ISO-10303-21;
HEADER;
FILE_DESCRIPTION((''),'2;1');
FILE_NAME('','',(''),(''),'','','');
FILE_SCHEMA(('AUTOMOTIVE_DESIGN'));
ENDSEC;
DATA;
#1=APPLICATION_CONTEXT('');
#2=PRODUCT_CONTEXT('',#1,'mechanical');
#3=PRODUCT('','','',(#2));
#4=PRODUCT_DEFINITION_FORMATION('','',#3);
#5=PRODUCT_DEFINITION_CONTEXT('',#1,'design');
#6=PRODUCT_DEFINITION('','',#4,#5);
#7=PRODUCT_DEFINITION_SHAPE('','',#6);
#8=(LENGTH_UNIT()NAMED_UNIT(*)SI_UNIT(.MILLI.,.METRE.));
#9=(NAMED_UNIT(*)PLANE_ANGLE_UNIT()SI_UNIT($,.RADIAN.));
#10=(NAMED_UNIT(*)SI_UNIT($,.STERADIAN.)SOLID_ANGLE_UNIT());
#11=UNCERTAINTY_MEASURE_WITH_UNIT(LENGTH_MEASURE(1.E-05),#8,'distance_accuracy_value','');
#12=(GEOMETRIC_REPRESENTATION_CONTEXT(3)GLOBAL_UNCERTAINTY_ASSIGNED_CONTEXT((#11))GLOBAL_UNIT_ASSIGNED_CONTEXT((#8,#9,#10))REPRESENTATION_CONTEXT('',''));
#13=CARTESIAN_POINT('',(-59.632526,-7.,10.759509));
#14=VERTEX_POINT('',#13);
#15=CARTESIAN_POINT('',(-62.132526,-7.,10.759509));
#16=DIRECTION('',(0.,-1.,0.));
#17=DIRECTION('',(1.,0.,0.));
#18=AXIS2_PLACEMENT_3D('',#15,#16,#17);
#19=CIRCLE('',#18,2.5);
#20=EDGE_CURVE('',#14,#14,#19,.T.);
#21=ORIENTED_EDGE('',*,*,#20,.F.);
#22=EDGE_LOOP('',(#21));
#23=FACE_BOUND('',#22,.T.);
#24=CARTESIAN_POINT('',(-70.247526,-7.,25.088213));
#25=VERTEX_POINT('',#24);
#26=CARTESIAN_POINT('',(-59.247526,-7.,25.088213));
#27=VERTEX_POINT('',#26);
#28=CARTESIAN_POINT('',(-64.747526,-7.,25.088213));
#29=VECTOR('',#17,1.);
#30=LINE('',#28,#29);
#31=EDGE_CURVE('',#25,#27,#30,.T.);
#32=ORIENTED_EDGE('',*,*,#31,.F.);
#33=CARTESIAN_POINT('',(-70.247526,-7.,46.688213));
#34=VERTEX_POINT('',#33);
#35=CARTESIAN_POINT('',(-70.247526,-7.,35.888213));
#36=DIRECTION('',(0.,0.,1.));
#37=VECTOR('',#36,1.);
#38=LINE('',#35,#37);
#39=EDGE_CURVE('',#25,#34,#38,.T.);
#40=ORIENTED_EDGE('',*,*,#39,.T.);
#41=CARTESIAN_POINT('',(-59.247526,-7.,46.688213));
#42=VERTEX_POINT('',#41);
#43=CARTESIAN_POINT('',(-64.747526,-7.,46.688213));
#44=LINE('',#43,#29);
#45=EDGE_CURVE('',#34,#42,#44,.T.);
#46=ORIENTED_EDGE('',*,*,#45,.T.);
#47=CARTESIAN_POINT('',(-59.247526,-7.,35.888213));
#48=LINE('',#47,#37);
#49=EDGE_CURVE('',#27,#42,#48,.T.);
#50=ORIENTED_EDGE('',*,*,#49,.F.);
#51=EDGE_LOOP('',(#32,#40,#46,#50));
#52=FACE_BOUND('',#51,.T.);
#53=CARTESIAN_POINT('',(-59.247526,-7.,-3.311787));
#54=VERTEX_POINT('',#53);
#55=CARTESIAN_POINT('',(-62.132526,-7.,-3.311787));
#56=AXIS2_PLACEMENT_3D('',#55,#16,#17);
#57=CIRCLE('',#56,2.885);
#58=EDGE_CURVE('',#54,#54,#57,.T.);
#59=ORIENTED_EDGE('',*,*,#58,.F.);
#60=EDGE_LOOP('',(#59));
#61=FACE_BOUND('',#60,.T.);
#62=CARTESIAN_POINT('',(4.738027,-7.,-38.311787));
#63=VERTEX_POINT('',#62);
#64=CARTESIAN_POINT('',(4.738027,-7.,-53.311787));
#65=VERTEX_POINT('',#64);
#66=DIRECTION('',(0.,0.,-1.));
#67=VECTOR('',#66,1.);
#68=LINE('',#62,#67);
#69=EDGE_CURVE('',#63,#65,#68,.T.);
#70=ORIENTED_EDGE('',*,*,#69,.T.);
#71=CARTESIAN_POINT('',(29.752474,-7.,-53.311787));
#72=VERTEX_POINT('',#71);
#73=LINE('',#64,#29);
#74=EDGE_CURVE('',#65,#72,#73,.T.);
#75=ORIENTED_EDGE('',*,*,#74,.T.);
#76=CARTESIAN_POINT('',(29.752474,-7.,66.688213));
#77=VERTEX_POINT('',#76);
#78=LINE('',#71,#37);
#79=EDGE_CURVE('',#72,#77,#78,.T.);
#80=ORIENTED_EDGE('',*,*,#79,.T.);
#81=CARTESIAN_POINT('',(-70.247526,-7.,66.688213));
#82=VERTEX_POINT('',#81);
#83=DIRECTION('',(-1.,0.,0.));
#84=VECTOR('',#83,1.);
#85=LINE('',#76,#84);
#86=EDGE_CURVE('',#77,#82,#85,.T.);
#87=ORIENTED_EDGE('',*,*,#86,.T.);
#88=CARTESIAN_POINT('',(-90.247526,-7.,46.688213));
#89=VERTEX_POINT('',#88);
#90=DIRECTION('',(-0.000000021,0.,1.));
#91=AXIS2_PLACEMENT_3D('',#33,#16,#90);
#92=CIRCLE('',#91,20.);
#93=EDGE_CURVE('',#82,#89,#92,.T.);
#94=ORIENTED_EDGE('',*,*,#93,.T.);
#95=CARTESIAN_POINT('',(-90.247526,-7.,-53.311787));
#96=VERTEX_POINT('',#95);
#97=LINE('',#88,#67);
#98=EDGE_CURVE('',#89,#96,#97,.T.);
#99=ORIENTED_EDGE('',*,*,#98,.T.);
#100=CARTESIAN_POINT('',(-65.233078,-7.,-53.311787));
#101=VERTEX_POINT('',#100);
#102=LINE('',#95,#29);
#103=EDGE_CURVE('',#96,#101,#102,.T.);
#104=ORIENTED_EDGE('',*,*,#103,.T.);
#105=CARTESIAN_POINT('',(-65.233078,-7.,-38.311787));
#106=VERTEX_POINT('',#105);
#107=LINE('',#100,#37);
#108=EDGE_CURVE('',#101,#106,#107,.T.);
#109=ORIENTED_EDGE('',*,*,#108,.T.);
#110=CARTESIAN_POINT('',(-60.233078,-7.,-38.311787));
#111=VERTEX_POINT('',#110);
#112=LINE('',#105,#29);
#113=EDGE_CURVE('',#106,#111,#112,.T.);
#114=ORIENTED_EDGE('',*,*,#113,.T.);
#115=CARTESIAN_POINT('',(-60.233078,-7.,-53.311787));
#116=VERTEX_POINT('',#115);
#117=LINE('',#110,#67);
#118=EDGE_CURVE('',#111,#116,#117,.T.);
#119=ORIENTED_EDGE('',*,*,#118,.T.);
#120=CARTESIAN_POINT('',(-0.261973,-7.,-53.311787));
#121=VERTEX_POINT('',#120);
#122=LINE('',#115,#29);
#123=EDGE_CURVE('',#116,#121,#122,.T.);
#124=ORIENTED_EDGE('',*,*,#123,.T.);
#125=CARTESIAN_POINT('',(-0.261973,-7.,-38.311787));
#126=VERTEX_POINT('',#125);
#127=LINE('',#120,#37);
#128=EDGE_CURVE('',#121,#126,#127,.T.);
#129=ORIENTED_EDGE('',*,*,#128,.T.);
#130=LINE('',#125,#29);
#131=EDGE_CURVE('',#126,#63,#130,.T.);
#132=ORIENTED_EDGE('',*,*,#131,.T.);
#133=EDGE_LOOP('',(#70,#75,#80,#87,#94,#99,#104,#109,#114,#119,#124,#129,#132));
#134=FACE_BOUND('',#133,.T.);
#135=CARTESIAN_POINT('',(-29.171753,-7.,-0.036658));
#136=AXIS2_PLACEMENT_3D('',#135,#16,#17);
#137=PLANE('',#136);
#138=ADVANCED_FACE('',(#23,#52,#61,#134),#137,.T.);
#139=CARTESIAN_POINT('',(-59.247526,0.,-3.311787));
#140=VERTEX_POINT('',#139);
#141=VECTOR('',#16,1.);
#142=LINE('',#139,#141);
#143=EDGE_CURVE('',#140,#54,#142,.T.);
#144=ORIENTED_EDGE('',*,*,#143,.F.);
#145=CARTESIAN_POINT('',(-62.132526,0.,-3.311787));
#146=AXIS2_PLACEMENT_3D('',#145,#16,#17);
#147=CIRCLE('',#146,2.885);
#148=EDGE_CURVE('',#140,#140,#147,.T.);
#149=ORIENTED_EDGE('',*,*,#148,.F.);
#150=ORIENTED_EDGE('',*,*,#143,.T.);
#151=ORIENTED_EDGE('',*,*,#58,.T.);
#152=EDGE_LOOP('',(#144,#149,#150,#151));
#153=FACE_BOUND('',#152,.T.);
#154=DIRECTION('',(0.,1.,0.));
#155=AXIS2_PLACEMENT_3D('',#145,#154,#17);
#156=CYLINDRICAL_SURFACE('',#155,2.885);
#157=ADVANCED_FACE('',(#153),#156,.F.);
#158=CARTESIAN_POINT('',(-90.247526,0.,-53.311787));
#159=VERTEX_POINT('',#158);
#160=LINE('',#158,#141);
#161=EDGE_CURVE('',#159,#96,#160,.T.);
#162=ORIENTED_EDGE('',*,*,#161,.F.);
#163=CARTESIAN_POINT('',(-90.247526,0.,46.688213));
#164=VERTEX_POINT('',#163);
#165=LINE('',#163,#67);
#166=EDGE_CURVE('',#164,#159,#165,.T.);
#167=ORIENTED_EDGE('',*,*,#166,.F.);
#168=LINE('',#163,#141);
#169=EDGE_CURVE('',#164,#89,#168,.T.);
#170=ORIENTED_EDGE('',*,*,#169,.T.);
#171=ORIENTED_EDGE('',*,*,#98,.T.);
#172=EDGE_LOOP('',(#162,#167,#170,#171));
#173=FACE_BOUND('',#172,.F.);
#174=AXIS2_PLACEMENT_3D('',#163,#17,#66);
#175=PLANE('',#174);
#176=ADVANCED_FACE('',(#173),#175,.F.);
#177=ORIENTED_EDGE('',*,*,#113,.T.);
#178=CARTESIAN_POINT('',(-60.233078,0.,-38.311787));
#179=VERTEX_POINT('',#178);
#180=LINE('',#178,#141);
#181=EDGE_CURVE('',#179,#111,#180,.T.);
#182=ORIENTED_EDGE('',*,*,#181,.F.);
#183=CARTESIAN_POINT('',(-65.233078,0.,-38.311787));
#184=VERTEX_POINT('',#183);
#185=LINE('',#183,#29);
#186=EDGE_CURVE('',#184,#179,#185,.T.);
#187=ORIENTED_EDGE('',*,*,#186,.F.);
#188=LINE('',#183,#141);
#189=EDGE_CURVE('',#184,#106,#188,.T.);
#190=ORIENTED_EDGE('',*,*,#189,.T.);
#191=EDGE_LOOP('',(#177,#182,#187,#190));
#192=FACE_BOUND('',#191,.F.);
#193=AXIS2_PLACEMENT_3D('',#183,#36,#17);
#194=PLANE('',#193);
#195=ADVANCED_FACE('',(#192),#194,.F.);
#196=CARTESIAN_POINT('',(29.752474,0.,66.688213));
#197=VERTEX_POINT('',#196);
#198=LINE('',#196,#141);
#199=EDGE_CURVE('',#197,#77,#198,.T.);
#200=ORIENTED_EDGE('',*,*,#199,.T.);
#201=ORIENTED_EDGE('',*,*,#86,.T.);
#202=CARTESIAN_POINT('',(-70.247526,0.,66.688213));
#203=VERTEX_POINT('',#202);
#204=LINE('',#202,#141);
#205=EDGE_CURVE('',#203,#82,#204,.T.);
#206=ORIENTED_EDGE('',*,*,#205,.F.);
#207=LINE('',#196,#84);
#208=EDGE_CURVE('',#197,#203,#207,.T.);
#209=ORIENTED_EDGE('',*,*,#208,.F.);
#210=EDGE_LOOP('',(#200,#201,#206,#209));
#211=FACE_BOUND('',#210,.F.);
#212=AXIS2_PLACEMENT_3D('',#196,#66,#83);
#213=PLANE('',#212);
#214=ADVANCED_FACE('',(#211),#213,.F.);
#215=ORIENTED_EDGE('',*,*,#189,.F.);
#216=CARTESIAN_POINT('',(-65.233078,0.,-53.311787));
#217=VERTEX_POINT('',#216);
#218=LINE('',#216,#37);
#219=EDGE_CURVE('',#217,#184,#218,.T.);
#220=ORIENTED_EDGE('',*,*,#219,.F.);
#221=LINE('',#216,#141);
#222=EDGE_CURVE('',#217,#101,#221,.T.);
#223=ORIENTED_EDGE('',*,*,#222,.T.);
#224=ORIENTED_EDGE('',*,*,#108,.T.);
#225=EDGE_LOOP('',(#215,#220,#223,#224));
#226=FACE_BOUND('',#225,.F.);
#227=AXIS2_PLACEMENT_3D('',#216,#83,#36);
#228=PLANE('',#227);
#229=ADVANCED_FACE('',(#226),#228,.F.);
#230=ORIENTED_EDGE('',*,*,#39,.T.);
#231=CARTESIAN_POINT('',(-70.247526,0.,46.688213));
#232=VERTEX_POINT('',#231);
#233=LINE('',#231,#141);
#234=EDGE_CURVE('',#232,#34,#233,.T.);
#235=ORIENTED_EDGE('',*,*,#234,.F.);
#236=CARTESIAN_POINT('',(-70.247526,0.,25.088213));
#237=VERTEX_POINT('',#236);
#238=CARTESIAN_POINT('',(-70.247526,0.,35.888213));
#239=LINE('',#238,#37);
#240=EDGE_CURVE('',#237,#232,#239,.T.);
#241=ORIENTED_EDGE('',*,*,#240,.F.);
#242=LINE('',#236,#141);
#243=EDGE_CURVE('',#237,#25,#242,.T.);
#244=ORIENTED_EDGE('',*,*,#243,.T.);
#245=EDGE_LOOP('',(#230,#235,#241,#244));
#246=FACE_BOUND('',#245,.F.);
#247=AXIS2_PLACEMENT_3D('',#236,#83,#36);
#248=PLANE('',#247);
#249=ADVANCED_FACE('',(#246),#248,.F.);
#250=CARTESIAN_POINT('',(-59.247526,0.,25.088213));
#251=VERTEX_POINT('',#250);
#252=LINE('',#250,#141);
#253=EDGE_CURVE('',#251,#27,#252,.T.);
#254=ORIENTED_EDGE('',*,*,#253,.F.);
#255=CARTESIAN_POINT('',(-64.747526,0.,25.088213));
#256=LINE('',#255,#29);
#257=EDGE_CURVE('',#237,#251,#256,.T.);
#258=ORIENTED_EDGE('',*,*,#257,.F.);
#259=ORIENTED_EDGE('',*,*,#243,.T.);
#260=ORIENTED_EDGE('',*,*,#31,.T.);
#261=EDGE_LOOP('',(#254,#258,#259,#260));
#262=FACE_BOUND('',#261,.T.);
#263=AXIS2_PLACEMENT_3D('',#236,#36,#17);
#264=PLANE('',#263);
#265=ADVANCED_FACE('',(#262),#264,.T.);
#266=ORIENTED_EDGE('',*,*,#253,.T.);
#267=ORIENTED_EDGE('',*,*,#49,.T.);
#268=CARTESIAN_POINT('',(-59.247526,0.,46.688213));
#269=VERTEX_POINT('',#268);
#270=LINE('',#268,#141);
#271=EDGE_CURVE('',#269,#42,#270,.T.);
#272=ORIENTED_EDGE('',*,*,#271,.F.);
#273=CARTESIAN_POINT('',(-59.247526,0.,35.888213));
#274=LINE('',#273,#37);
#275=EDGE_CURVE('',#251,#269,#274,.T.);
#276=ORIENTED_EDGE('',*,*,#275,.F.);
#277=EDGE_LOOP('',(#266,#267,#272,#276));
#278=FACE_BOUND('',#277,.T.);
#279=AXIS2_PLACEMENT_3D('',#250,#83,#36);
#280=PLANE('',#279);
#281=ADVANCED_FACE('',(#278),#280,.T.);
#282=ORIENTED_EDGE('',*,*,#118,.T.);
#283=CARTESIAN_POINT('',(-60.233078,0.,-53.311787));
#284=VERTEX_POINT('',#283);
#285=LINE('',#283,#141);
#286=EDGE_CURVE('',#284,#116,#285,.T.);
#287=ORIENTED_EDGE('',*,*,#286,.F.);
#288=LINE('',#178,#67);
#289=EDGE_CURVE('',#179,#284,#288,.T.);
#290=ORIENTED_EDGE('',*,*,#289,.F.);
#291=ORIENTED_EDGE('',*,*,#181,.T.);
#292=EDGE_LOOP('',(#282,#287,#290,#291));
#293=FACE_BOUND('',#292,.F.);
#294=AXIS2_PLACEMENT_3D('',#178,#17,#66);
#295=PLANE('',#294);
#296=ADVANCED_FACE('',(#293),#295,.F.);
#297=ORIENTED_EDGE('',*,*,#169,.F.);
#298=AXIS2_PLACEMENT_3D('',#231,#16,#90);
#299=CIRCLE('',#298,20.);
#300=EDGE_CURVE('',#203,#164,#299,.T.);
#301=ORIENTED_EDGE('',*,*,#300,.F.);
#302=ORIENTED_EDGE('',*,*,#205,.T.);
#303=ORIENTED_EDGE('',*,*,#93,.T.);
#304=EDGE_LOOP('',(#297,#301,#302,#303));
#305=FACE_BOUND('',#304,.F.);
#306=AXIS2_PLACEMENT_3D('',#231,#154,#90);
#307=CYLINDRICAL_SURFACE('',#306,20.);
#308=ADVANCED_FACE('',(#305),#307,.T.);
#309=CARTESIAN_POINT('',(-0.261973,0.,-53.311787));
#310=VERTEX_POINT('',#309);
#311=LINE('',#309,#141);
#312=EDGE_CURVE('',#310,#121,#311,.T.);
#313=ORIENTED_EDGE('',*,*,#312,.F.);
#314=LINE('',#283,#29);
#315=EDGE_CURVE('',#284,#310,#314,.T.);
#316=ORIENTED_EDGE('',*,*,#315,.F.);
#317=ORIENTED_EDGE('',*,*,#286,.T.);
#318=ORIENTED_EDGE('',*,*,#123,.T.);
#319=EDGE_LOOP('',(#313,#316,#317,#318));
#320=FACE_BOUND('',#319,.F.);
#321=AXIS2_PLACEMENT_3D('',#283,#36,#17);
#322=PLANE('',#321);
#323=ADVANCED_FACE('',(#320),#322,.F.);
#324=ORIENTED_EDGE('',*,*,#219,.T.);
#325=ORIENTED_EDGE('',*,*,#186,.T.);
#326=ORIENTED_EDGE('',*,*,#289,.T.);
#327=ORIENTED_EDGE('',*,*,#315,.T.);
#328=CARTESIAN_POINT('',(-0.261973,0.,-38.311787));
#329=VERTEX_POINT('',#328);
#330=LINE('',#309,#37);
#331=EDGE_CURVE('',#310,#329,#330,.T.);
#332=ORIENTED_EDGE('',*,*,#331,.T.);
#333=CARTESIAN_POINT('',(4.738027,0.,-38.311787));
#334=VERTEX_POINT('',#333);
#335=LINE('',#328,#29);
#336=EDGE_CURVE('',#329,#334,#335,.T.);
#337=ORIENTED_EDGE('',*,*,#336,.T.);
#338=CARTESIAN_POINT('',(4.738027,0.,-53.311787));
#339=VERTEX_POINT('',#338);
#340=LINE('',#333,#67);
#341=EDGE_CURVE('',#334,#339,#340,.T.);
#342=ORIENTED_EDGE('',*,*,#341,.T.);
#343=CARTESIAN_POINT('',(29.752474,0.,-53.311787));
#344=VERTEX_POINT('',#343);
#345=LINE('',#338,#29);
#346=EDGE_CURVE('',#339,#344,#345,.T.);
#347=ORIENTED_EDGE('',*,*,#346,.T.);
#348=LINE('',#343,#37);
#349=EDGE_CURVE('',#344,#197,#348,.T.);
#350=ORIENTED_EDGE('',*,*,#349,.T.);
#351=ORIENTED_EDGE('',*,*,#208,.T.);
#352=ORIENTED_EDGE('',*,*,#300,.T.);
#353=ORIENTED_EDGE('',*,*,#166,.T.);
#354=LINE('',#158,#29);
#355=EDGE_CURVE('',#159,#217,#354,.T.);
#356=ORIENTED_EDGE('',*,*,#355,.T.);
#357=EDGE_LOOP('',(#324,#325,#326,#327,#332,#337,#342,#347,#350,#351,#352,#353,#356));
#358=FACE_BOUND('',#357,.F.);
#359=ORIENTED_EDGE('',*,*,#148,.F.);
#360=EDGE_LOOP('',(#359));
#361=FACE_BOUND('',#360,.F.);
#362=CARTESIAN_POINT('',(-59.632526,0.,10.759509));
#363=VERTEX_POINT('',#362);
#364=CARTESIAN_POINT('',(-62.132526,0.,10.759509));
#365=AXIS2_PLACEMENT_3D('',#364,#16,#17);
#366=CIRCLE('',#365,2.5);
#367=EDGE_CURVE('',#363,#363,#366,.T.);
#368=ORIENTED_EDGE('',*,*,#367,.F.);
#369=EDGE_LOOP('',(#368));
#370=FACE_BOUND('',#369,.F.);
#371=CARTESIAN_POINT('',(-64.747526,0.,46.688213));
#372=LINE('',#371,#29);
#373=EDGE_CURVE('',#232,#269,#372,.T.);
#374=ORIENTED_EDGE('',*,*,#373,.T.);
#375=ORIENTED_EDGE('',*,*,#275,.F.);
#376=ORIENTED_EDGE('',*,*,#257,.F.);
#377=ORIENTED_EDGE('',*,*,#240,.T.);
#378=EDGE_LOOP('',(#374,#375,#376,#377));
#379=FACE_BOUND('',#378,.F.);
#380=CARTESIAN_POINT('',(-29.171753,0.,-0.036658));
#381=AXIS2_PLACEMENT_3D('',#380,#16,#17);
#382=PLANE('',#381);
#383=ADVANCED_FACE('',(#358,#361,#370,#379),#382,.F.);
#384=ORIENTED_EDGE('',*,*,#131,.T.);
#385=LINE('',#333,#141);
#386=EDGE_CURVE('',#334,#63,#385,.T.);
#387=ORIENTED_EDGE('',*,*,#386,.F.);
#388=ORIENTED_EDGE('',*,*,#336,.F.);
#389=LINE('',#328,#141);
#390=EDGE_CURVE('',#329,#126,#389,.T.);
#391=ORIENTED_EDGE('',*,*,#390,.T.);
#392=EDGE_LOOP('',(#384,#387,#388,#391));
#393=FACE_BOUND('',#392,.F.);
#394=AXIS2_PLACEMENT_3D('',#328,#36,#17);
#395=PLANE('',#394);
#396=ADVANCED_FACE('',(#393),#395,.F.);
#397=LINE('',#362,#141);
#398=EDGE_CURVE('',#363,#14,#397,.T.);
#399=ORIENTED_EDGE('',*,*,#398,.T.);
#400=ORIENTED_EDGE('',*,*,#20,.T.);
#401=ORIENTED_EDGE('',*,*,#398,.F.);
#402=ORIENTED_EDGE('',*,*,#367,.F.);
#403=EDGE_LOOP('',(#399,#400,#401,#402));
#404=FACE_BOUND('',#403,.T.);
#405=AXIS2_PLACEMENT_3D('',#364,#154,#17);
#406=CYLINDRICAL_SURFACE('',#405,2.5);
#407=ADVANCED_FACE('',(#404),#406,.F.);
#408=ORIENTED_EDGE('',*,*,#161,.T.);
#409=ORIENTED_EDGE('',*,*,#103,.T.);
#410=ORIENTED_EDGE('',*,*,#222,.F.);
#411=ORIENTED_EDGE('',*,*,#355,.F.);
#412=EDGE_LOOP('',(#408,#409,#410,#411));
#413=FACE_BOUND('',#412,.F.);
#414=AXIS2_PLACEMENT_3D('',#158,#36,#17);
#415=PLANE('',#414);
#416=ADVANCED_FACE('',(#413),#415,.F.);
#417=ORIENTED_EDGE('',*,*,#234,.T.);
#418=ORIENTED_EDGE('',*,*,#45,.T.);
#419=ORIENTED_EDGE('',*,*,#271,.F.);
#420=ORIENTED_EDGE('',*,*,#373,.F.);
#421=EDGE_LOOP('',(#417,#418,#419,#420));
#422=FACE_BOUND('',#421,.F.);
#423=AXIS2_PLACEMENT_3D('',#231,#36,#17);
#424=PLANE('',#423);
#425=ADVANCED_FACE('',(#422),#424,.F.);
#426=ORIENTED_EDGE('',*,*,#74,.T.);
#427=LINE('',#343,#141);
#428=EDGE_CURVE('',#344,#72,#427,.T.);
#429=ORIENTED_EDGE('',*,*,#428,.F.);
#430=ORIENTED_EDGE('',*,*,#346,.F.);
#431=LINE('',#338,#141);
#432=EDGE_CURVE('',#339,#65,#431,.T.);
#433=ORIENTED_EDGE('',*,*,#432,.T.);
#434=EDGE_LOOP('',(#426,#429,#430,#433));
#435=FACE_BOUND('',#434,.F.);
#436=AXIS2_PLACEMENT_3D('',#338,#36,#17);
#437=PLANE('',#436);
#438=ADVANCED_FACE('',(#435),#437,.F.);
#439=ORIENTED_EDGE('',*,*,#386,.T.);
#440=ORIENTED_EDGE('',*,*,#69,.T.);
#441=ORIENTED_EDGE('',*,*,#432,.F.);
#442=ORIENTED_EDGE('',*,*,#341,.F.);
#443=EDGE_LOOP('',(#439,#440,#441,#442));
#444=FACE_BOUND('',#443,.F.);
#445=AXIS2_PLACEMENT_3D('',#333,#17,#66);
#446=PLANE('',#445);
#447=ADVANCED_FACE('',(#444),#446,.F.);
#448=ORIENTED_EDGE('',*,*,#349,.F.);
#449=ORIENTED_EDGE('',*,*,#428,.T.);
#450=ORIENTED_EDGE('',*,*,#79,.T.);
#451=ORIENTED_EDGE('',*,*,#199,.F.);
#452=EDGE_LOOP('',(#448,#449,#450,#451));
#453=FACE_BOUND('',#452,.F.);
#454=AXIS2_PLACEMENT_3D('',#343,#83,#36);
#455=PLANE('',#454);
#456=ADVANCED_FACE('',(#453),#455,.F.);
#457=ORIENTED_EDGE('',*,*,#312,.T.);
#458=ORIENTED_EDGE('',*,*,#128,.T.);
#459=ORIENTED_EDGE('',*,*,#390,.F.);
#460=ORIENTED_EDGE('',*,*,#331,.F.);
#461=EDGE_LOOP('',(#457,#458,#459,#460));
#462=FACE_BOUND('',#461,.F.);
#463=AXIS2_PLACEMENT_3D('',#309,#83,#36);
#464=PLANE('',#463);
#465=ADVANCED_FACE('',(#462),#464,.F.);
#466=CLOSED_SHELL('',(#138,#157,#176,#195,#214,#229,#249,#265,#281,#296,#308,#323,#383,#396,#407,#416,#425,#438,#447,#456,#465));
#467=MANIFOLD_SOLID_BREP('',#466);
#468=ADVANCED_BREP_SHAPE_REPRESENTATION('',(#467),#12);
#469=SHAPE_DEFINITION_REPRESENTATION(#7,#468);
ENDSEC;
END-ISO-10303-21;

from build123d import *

# Parameters (mm, degrees)
F0_R     = 2.885
F0_R_2   = 2.5
F0_W     = 11
F0_H     = 21.6
F1_DEPTH = 7


with BuildPart() as f1:
    # F0 (on Front) → F1 (new body)
    with BuildSketch(Plane.XZ):
        with BuildLine():
            Line((29.752474, -53.311787), (29.752474, 66.688213))
            Line((29.752474, 66.688213), (-70.247526, 66.688213))
            ThreePointArc((-70.247526, 66.688213), (-84.389661, 60.830349), (-90.247526, 46.688213))
            Line((-90.247526, 46.688213), (-90.247526, -53.311787))
            Line((-90.247526, -53.311787), (-65.233078, -53.311787))
            Line((-65.233078, -53.311787), (-65.233078, -38.311787))
            Line((-65.233078, -38.311787), (-60.233078, -38.311787))
            Line((-60.233078, -38.311787), (-60.233078, -53.311787))
            Line((-60.233078, -53.311787), (-0.261973, -53.311787))
            Line((-0.261973, -53.311787), (-0.261973, -38.311787))
            Line((-0.261973, -38.311787), (4.738027, -38.311787))
            Line((4.738027, -38.311787), (4.738027, -53.311787))
            Line((4.738027, -53.311787), (29.752474, -53.311787))
        make_face()
        with Locations((-62.132526, -3.311787)):
            Circle(F0_R, mode=Mode.SUBTRACT)
        with Locations((-62.132526, 10.759509)):
            Circle(F0_R_2, mode=Mode.SUBTRACT)
        with Locations((-64.747526, 35.888213)):
            Rectangle(F0_W, F0_H, mode=Mode.SUBTRACT)
    extrude(amount=F1_DEPTH)


solid = f1.part
